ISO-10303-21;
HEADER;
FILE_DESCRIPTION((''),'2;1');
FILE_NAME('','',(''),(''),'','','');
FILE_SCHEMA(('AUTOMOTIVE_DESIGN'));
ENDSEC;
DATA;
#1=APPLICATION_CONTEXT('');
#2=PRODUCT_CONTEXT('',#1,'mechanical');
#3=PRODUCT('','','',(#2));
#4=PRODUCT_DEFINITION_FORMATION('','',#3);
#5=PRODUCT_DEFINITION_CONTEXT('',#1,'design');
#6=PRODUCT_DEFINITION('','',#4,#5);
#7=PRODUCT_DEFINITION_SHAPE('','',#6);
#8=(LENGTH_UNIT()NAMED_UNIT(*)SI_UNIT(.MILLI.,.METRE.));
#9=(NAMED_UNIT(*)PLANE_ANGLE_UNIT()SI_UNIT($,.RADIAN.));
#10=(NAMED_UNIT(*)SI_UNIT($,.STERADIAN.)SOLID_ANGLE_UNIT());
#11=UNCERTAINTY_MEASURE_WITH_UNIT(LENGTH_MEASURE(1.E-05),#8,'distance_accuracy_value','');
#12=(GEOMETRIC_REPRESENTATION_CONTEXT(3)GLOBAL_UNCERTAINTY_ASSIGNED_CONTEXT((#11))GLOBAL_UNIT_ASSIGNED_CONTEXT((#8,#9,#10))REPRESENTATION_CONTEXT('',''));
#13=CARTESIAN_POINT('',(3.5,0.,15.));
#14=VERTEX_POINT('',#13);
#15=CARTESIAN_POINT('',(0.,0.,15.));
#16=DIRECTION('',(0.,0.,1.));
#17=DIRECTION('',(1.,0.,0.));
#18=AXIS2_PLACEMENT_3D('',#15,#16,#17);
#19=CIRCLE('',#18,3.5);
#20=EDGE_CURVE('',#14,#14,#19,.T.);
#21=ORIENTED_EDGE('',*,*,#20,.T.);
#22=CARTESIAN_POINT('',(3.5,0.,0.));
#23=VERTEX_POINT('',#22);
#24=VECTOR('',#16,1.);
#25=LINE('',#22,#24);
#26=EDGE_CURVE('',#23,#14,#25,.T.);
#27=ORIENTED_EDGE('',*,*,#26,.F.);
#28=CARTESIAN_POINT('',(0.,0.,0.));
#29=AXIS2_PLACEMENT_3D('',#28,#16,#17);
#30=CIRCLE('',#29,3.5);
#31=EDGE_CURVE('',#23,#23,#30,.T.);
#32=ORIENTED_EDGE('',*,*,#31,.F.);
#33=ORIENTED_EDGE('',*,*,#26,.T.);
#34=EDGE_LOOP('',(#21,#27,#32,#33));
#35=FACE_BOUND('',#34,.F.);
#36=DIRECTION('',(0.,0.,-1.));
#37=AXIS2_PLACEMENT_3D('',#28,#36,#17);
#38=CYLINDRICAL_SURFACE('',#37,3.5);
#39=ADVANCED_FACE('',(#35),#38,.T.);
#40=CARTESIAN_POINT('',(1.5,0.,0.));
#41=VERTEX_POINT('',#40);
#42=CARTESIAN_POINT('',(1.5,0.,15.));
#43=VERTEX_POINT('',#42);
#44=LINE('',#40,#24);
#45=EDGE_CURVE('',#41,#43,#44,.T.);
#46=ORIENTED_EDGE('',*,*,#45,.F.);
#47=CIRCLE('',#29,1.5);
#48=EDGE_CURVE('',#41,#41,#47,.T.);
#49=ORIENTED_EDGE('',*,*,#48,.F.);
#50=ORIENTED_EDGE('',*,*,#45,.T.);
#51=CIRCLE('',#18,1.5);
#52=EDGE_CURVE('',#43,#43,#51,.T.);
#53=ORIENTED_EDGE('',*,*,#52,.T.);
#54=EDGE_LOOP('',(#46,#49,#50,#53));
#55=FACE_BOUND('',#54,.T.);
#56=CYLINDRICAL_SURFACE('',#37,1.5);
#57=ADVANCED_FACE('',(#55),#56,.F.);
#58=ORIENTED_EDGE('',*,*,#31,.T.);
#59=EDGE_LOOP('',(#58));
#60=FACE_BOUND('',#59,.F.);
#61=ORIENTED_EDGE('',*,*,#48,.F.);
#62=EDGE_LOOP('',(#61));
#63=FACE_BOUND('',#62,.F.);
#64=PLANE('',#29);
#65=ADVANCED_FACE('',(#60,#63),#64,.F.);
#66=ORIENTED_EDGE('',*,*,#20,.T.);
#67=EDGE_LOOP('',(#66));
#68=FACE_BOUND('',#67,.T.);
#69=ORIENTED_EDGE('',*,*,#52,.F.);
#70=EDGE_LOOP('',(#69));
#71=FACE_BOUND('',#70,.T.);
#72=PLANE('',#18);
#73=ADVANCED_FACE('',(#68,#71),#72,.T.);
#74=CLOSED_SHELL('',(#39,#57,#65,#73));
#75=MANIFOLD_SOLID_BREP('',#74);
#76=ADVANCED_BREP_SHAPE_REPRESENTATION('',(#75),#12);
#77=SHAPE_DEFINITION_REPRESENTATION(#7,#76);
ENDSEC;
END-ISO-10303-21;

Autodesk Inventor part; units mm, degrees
ref_plane "YZ Plane" through (0, 0, 0) normal (1, 0, 0) x (0, 1, 0)
ref_plane "XZ Plane" through (0, 0, 0) normal (0, 1, 0) x (-1, 0, 0)
ref_plane "XY Plane" through (0, 0, 0) normal (0, 0, 1) x (1, 0, 0)
sketch "Sketch1" plane through (0, 0, 0) normal (0, 0, 1) x (1, 0, 0)
  circle A0 centre (0, 0) radius 1.5
  circle A1 centre (0, 0) radius 3.5
  dimension "d0" = 3
  dimension "d1" = 2
extrude "Extrusion1" add sketch "Sketch1" along normal blind 15
properties part number "3DP_PLA_Test_tube_array_top_spacer" material "ABS Plastic"
